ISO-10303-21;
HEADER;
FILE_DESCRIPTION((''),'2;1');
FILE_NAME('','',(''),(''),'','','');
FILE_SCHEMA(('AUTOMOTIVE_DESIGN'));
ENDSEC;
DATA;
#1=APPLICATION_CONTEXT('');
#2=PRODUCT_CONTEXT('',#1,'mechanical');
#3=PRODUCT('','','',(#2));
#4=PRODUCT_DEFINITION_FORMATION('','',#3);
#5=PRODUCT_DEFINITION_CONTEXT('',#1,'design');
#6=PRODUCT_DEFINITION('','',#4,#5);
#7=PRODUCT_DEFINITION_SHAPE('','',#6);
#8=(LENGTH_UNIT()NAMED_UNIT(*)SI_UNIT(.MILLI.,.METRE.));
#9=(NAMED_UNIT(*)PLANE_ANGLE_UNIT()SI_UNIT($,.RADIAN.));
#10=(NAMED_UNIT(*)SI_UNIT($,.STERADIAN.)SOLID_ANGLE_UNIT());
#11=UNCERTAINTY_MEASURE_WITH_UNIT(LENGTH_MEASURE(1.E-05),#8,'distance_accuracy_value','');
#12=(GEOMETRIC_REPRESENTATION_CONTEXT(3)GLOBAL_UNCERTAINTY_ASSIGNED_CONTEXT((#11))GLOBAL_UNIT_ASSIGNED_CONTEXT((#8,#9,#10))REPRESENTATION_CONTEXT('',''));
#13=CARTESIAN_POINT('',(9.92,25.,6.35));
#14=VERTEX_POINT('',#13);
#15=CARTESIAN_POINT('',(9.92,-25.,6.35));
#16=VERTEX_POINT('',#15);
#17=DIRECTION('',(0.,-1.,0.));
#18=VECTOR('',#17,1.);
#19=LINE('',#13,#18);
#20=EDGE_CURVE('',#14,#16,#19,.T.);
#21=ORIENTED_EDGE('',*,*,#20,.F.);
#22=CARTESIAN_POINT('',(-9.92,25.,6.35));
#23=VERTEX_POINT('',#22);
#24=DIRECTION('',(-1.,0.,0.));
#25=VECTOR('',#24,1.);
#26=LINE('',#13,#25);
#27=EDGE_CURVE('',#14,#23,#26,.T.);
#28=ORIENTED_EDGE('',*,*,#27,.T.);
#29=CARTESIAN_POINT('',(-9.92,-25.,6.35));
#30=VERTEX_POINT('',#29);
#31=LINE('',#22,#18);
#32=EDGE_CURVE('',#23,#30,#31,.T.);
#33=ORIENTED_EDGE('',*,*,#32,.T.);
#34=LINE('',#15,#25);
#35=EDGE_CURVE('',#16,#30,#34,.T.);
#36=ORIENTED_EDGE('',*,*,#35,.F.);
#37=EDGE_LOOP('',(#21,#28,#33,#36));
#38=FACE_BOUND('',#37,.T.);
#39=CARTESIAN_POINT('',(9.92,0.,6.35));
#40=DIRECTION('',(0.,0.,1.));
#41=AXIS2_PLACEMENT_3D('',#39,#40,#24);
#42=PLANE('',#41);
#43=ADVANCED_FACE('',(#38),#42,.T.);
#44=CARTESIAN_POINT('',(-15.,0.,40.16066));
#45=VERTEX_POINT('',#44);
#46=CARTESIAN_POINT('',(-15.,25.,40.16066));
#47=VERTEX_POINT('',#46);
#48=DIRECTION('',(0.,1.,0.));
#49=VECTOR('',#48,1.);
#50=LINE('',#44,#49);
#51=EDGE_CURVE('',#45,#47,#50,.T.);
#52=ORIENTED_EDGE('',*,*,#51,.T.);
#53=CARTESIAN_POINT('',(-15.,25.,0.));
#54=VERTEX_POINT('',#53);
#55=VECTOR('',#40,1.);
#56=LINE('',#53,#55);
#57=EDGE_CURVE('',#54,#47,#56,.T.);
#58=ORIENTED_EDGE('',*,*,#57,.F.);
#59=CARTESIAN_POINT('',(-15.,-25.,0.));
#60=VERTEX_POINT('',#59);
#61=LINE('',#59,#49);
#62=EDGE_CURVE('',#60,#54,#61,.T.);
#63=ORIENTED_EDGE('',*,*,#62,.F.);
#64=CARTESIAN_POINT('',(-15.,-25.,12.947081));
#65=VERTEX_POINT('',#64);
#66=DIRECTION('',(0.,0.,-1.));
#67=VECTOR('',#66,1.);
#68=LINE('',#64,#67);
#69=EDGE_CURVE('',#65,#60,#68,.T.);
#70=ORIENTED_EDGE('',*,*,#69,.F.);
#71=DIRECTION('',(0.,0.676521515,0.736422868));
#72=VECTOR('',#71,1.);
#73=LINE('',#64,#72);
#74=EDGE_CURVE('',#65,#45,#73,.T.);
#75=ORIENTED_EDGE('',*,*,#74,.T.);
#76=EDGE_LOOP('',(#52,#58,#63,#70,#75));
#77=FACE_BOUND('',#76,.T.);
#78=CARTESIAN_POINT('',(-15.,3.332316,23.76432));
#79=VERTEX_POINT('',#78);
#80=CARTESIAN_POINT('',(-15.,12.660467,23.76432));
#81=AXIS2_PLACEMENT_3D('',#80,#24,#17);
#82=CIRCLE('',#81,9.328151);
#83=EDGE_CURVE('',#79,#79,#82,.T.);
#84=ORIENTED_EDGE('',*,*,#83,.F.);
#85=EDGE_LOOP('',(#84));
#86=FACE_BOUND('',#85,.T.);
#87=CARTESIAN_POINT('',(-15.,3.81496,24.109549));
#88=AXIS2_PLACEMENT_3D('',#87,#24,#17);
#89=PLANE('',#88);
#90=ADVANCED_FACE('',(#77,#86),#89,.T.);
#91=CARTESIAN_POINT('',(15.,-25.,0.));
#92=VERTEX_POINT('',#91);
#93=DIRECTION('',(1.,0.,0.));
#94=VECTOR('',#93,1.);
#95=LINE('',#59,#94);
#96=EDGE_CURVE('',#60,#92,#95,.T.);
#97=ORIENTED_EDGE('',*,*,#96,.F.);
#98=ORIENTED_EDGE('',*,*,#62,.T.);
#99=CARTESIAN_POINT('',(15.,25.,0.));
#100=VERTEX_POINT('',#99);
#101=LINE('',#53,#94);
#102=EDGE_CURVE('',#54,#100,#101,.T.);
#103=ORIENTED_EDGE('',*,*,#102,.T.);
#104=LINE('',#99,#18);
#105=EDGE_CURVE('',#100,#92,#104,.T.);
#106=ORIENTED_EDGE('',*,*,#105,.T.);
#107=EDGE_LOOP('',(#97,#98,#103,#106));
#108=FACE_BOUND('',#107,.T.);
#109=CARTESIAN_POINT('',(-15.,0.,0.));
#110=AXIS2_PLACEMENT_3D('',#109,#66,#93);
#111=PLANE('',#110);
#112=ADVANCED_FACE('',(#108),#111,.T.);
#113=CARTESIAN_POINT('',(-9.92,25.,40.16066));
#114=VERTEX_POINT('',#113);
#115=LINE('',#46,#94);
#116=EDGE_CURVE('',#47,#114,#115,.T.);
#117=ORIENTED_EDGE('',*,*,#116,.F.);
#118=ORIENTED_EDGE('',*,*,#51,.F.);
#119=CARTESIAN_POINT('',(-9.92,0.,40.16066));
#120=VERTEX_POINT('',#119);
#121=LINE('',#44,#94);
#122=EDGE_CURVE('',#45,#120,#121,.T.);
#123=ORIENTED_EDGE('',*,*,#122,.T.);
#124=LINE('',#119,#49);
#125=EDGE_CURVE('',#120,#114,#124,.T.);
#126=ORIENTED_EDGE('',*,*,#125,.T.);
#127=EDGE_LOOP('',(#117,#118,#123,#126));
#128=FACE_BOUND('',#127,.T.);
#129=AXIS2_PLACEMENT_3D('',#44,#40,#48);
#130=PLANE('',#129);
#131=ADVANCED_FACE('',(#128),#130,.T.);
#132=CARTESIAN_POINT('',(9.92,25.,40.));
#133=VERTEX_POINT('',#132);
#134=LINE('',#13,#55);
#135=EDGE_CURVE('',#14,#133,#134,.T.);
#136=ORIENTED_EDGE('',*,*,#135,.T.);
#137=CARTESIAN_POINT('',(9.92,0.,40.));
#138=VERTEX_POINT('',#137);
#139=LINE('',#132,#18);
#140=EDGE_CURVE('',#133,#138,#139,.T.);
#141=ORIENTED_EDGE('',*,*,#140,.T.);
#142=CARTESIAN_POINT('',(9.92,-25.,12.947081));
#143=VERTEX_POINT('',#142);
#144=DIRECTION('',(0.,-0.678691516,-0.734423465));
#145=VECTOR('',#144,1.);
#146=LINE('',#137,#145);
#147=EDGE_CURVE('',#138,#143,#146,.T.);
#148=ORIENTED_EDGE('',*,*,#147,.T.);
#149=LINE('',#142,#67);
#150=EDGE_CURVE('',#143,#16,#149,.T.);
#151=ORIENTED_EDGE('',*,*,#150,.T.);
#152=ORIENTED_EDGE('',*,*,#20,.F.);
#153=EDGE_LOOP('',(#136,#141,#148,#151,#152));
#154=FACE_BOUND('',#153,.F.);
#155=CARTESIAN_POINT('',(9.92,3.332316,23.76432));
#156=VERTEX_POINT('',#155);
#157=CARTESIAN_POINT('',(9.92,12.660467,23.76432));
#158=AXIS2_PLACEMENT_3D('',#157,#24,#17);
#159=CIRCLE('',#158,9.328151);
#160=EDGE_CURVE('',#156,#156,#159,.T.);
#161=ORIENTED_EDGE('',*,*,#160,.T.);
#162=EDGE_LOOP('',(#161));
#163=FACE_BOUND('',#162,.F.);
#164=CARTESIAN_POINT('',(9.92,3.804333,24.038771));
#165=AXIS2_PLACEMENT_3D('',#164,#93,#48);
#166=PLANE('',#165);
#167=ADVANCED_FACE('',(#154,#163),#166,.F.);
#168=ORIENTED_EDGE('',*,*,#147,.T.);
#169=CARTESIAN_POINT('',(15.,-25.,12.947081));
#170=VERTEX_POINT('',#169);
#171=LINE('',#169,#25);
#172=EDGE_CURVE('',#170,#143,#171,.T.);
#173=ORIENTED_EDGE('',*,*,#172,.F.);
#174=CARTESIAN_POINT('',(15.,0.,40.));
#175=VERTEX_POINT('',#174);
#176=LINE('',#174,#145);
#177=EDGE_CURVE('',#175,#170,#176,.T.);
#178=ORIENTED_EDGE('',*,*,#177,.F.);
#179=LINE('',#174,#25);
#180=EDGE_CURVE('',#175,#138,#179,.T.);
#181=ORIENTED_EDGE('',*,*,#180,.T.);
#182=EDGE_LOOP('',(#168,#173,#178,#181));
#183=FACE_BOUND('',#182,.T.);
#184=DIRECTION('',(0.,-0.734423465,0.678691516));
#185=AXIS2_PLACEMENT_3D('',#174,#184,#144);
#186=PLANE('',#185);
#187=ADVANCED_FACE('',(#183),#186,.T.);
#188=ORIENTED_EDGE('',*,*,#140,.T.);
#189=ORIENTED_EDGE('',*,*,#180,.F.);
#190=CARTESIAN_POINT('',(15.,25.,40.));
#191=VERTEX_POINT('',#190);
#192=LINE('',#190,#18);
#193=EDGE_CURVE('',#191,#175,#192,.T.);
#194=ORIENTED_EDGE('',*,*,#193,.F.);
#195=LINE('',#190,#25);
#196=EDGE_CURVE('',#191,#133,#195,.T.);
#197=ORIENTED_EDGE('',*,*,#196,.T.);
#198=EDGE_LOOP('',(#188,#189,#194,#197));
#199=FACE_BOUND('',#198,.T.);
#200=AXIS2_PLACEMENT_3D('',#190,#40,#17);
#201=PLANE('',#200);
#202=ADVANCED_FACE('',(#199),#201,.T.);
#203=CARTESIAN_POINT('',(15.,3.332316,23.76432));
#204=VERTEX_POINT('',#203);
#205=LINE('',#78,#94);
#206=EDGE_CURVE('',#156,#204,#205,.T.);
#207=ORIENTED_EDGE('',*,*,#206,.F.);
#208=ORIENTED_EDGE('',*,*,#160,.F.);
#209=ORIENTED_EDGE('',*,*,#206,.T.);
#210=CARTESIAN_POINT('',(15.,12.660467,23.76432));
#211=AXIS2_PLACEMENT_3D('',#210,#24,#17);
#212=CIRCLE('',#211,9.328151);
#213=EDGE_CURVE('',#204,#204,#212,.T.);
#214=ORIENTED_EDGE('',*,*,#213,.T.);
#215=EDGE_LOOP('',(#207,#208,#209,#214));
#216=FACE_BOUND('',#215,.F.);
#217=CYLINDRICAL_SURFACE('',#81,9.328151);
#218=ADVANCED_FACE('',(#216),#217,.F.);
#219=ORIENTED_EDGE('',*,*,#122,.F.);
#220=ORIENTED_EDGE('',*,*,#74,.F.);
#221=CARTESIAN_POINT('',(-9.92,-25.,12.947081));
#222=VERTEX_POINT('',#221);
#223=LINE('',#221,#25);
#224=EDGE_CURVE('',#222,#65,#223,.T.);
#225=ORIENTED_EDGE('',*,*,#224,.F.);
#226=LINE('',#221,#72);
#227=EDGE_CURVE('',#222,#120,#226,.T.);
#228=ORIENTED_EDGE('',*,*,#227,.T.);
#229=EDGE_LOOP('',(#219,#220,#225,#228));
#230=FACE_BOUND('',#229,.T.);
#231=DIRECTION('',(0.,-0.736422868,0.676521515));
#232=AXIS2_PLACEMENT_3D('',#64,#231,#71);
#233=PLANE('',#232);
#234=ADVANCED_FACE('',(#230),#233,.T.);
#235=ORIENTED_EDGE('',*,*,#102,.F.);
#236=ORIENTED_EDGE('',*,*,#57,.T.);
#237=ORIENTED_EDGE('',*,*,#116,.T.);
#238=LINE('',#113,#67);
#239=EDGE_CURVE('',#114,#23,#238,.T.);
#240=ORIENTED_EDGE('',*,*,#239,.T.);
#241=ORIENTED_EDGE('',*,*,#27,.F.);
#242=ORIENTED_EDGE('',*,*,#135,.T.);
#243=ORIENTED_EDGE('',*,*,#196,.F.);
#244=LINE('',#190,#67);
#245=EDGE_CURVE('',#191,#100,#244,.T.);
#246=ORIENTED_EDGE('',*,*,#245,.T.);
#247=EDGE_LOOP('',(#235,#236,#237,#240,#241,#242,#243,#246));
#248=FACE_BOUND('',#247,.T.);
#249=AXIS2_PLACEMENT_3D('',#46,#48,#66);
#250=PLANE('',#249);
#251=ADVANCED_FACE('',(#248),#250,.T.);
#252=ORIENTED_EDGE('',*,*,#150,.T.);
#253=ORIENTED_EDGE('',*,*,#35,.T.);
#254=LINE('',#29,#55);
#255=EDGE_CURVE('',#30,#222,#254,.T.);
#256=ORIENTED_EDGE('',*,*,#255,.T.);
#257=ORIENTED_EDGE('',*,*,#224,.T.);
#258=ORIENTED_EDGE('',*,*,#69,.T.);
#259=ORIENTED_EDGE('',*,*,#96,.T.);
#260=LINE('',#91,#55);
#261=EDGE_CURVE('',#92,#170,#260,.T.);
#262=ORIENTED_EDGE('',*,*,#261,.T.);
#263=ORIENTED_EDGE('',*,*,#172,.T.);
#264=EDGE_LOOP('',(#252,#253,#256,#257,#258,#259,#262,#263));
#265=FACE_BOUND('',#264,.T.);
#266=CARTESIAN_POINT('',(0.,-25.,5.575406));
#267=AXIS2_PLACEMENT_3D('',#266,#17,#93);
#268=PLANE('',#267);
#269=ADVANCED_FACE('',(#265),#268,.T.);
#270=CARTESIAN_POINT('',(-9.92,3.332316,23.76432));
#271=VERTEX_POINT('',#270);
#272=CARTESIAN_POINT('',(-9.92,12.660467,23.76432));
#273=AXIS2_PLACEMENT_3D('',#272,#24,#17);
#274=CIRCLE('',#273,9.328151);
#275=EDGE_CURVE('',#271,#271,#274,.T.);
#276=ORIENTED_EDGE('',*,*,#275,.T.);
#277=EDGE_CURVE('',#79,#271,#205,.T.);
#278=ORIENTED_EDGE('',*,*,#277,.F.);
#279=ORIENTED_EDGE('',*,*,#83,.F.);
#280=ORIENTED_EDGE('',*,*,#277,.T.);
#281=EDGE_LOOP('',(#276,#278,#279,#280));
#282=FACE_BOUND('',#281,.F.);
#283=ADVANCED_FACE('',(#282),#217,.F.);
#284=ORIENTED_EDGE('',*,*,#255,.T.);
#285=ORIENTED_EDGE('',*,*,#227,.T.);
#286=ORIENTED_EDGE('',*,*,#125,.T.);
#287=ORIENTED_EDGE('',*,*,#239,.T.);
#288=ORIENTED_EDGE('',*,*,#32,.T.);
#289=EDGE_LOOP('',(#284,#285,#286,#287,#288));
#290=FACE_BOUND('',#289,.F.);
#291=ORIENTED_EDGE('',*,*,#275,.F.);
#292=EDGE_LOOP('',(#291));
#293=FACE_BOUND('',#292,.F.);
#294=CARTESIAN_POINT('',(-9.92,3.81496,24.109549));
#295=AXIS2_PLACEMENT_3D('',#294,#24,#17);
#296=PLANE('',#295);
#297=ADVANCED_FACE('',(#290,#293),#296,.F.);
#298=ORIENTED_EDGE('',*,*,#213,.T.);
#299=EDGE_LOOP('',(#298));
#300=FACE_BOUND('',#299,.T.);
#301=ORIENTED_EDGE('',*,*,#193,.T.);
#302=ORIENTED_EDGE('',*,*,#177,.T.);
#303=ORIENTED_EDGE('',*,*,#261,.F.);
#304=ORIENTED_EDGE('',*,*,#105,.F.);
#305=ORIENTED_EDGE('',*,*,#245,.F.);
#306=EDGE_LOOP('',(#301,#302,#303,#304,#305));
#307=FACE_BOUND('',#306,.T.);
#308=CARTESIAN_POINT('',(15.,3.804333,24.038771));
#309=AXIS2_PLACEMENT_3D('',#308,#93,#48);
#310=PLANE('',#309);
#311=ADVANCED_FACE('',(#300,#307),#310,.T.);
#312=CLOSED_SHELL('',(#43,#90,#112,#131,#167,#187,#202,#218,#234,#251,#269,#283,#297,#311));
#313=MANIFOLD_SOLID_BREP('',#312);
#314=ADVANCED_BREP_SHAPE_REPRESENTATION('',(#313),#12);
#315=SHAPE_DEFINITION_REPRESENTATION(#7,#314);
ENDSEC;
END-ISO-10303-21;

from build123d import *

# Parameters (mm, degrees)
F1_DEPTH = 25
F3_DEPTH = 5.08
F5_DEPTH = 5.08
F6_R     = 9.328151
F7_DEPTH = 30.001


with BuildPart() as f1:
    # F0 (on Front) → F1 (new body, symmetric)
    with BuildSketch(Plane.XZ):
        Polygon((-15, 0), (0, 0), (15, 0), (15, 6.35), (15, 12.947081), (9.92, 12.947081), (9.92, 6.35), (0, 6.35), (-9.92, 6.35), (-9.92, 12.947081), (-15, 12.947081), (-15, 6.35), align=None)
    extrude(amount=F1_DEPTH, both=True)

    # F2 (on face) → F3 (join)
    with BuildSketch(Plane.YZ.offset(15)):
        Polygon((25, 12.947081), (25, 40), (0, 40), (-25, 12.947081), align=None)
    extrude(amount=-F3_DEPTH)

    # F4 (on face) → F5 (join)
    with BuildSketch(Plane(origin=(-15, 0, 0), x_dir=(0, -1, 0), z_dir=(-1, 0, 0))):
        Polygon((-25, 40.16066), (-25, 12.947081), (0, 12.947081), (25, 12.947081), (0, 40.16066), align=None)
    extrude(amount=-F5_DEPTH)

    # F6 (on face) → F7 (cut, through all)
    with BuildSketch(Plane(origin=(-15, 0, 0), x_dir=(0, -1, 0), z_dir=(-1, 0, 0))):
        with Locations((-12.660467, 23.76432)):
            Circle(F6_R)
    extrude(amount=-F7_DEPTH, mode=Mode.SUBTRACT)


solid = f1.part
